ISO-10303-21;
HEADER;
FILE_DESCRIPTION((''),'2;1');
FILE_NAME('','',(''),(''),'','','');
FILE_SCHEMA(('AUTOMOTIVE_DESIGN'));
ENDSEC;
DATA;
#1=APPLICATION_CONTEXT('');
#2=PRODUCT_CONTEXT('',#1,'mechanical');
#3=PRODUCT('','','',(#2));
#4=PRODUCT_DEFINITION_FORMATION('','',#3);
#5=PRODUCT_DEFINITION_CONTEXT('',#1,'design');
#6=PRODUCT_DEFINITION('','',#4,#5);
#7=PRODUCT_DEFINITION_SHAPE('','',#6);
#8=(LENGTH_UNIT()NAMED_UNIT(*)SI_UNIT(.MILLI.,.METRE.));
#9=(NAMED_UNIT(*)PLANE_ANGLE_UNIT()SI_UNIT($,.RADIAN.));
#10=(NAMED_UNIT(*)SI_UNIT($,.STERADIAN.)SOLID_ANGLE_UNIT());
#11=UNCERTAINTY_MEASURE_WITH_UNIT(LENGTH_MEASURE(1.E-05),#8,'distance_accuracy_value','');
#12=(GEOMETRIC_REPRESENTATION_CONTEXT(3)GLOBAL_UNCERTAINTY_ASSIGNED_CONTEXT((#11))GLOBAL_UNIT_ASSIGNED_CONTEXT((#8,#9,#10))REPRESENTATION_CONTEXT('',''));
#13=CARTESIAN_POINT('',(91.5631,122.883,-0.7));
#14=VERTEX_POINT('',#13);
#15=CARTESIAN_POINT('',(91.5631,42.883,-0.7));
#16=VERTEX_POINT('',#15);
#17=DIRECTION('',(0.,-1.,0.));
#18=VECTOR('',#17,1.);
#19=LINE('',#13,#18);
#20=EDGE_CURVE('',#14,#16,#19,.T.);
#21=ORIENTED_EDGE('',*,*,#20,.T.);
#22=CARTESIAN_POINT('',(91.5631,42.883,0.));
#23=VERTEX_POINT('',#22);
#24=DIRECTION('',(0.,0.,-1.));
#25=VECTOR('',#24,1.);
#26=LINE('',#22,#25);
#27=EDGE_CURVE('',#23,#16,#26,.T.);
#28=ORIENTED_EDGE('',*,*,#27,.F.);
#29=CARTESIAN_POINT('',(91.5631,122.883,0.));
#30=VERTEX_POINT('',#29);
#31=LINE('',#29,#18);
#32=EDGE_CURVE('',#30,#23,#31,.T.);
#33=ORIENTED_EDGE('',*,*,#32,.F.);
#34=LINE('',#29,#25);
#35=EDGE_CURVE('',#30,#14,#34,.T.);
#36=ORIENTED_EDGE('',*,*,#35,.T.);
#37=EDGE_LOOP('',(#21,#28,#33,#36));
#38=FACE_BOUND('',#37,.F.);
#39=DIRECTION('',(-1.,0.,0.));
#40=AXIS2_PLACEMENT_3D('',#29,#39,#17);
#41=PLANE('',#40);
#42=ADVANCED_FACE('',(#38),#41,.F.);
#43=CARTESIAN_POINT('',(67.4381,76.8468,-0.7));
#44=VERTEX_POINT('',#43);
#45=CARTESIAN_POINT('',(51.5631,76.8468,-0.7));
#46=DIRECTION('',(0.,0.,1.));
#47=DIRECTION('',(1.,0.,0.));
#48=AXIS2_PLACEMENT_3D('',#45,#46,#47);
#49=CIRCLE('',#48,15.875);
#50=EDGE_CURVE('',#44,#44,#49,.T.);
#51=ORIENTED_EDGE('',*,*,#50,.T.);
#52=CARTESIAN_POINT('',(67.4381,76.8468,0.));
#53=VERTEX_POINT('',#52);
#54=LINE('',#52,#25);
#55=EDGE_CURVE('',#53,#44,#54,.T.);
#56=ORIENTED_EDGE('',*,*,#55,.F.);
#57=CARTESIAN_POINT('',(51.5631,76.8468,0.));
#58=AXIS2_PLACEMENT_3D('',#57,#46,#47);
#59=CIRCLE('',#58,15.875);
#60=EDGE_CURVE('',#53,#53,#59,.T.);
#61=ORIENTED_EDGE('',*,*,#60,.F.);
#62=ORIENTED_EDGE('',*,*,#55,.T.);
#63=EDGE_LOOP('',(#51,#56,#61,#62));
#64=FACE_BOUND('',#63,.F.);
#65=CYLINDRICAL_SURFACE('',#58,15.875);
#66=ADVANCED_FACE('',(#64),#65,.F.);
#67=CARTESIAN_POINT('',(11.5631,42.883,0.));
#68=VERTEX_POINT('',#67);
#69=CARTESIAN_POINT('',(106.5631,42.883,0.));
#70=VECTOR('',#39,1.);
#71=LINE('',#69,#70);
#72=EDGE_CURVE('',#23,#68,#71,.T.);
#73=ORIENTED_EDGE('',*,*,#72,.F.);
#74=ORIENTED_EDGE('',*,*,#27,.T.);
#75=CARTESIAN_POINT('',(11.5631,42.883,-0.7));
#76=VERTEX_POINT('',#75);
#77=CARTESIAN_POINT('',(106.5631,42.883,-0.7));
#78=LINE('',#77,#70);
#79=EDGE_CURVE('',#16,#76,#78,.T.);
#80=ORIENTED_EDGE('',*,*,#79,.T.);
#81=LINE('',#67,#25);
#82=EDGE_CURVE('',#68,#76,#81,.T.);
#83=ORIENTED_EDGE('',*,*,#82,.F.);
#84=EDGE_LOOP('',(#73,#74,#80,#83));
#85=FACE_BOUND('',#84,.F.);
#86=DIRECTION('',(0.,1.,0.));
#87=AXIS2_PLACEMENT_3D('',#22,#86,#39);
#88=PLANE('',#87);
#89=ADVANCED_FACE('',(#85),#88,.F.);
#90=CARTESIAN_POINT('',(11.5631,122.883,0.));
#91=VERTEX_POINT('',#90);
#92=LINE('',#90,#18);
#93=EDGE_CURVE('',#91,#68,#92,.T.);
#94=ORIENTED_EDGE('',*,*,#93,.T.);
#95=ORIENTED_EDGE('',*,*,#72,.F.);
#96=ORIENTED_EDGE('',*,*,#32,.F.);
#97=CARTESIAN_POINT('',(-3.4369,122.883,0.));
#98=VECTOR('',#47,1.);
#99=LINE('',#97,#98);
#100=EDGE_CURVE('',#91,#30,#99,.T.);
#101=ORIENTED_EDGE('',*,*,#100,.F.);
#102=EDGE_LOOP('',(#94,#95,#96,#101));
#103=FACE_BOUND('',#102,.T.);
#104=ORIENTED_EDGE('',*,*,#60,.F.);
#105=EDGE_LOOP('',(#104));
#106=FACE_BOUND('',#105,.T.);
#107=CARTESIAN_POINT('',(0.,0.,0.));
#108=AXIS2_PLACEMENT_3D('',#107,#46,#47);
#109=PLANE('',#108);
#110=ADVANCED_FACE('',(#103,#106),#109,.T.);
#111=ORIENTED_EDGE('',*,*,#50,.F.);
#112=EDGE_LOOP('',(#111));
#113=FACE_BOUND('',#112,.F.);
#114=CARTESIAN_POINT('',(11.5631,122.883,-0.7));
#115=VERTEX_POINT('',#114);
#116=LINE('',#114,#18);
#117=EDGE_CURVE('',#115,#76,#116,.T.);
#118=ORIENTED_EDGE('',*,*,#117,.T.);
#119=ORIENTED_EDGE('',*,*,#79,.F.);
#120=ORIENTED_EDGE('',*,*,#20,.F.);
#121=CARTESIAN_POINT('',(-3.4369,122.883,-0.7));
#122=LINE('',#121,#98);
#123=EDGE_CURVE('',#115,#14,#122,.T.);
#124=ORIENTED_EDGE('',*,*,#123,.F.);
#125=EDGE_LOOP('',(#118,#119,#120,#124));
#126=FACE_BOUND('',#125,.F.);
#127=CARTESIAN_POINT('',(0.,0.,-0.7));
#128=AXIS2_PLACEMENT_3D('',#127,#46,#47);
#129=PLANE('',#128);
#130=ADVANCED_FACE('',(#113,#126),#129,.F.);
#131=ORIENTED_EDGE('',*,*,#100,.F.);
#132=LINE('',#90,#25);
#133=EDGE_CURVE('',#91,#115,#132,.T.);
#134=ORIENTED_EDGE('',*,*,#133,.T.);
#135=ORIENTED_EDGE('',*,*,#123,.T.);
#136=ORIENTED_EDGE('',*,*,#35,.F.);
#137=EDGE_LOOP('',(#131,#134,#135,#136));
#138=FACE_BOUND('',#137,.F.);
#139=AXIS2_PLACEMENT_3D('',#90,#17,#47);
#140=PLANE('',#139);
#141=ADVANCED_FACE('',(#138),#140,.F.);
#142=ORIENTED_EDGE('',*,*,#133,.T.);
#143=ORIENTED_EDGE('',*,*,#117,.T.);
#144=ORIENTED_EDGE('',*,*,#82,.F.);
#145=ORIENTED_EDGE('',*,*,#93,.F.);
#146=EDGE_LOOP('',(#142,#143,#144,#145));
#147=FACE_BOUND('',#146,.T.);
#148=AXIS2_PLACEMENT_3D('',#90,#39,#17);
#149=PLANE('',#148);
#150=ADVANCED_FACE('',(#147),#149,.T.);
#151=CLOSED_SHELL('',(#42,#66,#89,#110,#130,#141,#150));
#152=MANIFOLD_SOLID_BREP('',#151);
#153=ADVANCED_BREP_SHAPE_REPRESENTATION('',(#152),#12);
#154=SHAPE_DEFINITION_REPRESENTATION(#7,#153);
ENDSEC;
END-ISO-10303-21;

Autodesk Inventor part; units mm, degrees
ref_plane "YZ Plane" through (0, 0, 0) normal (1, 0, 0) x (0, 1, 0)
ref_plane "XZ Plane" through (0, 0, 0) normal (0, 1, 0) x (-1, 0, 0)
ref_plane "XY Plane" through (0, 0, 0) normal (0, 0, 1) x (1, 0, 0)
sketch "Sketch1" plane through (0, 0, 0) normal (0, 0, 1) x (1, 0, 0)
  line L0 (-3.4369, 182.883) -> (106.5631, 182.883)
  line L1 (106.5631, 182.883) -> (106.5631, 42.883)
  line L2 (106.5631, 42.883) -> (-3.4369, 42.883)
  line L3 (-3.4369, 42.883) -> (-3.4369, 182.883)
  circle A0 centre (51.5631, 76.8468) radius 15.875
  line L4 (-3.4369, 122.883) -> (106.5631, 122.883)
  line L5 (91.5631, 122.883) -> (91.5631, 42.883)
  line L6 (11.5631, 122.883) -> (11.5631, 42.883)
  point P0 (0, 0)
  point P1 (51.5631, 42.883)
  dimension "d0" = 140
  dimension "d1" = 110
  dimension "d2" = 31.75
  dimension "d5" = 80
  dimension "d6" = 15
  dimension "d7" = 15
extrude "Extrusion1" add sketch "Sketch1" against normal blind 0.7 contours L4 L5 L2 L6
equation "\"d7\" = d6"
properties part number "cage_wall"
